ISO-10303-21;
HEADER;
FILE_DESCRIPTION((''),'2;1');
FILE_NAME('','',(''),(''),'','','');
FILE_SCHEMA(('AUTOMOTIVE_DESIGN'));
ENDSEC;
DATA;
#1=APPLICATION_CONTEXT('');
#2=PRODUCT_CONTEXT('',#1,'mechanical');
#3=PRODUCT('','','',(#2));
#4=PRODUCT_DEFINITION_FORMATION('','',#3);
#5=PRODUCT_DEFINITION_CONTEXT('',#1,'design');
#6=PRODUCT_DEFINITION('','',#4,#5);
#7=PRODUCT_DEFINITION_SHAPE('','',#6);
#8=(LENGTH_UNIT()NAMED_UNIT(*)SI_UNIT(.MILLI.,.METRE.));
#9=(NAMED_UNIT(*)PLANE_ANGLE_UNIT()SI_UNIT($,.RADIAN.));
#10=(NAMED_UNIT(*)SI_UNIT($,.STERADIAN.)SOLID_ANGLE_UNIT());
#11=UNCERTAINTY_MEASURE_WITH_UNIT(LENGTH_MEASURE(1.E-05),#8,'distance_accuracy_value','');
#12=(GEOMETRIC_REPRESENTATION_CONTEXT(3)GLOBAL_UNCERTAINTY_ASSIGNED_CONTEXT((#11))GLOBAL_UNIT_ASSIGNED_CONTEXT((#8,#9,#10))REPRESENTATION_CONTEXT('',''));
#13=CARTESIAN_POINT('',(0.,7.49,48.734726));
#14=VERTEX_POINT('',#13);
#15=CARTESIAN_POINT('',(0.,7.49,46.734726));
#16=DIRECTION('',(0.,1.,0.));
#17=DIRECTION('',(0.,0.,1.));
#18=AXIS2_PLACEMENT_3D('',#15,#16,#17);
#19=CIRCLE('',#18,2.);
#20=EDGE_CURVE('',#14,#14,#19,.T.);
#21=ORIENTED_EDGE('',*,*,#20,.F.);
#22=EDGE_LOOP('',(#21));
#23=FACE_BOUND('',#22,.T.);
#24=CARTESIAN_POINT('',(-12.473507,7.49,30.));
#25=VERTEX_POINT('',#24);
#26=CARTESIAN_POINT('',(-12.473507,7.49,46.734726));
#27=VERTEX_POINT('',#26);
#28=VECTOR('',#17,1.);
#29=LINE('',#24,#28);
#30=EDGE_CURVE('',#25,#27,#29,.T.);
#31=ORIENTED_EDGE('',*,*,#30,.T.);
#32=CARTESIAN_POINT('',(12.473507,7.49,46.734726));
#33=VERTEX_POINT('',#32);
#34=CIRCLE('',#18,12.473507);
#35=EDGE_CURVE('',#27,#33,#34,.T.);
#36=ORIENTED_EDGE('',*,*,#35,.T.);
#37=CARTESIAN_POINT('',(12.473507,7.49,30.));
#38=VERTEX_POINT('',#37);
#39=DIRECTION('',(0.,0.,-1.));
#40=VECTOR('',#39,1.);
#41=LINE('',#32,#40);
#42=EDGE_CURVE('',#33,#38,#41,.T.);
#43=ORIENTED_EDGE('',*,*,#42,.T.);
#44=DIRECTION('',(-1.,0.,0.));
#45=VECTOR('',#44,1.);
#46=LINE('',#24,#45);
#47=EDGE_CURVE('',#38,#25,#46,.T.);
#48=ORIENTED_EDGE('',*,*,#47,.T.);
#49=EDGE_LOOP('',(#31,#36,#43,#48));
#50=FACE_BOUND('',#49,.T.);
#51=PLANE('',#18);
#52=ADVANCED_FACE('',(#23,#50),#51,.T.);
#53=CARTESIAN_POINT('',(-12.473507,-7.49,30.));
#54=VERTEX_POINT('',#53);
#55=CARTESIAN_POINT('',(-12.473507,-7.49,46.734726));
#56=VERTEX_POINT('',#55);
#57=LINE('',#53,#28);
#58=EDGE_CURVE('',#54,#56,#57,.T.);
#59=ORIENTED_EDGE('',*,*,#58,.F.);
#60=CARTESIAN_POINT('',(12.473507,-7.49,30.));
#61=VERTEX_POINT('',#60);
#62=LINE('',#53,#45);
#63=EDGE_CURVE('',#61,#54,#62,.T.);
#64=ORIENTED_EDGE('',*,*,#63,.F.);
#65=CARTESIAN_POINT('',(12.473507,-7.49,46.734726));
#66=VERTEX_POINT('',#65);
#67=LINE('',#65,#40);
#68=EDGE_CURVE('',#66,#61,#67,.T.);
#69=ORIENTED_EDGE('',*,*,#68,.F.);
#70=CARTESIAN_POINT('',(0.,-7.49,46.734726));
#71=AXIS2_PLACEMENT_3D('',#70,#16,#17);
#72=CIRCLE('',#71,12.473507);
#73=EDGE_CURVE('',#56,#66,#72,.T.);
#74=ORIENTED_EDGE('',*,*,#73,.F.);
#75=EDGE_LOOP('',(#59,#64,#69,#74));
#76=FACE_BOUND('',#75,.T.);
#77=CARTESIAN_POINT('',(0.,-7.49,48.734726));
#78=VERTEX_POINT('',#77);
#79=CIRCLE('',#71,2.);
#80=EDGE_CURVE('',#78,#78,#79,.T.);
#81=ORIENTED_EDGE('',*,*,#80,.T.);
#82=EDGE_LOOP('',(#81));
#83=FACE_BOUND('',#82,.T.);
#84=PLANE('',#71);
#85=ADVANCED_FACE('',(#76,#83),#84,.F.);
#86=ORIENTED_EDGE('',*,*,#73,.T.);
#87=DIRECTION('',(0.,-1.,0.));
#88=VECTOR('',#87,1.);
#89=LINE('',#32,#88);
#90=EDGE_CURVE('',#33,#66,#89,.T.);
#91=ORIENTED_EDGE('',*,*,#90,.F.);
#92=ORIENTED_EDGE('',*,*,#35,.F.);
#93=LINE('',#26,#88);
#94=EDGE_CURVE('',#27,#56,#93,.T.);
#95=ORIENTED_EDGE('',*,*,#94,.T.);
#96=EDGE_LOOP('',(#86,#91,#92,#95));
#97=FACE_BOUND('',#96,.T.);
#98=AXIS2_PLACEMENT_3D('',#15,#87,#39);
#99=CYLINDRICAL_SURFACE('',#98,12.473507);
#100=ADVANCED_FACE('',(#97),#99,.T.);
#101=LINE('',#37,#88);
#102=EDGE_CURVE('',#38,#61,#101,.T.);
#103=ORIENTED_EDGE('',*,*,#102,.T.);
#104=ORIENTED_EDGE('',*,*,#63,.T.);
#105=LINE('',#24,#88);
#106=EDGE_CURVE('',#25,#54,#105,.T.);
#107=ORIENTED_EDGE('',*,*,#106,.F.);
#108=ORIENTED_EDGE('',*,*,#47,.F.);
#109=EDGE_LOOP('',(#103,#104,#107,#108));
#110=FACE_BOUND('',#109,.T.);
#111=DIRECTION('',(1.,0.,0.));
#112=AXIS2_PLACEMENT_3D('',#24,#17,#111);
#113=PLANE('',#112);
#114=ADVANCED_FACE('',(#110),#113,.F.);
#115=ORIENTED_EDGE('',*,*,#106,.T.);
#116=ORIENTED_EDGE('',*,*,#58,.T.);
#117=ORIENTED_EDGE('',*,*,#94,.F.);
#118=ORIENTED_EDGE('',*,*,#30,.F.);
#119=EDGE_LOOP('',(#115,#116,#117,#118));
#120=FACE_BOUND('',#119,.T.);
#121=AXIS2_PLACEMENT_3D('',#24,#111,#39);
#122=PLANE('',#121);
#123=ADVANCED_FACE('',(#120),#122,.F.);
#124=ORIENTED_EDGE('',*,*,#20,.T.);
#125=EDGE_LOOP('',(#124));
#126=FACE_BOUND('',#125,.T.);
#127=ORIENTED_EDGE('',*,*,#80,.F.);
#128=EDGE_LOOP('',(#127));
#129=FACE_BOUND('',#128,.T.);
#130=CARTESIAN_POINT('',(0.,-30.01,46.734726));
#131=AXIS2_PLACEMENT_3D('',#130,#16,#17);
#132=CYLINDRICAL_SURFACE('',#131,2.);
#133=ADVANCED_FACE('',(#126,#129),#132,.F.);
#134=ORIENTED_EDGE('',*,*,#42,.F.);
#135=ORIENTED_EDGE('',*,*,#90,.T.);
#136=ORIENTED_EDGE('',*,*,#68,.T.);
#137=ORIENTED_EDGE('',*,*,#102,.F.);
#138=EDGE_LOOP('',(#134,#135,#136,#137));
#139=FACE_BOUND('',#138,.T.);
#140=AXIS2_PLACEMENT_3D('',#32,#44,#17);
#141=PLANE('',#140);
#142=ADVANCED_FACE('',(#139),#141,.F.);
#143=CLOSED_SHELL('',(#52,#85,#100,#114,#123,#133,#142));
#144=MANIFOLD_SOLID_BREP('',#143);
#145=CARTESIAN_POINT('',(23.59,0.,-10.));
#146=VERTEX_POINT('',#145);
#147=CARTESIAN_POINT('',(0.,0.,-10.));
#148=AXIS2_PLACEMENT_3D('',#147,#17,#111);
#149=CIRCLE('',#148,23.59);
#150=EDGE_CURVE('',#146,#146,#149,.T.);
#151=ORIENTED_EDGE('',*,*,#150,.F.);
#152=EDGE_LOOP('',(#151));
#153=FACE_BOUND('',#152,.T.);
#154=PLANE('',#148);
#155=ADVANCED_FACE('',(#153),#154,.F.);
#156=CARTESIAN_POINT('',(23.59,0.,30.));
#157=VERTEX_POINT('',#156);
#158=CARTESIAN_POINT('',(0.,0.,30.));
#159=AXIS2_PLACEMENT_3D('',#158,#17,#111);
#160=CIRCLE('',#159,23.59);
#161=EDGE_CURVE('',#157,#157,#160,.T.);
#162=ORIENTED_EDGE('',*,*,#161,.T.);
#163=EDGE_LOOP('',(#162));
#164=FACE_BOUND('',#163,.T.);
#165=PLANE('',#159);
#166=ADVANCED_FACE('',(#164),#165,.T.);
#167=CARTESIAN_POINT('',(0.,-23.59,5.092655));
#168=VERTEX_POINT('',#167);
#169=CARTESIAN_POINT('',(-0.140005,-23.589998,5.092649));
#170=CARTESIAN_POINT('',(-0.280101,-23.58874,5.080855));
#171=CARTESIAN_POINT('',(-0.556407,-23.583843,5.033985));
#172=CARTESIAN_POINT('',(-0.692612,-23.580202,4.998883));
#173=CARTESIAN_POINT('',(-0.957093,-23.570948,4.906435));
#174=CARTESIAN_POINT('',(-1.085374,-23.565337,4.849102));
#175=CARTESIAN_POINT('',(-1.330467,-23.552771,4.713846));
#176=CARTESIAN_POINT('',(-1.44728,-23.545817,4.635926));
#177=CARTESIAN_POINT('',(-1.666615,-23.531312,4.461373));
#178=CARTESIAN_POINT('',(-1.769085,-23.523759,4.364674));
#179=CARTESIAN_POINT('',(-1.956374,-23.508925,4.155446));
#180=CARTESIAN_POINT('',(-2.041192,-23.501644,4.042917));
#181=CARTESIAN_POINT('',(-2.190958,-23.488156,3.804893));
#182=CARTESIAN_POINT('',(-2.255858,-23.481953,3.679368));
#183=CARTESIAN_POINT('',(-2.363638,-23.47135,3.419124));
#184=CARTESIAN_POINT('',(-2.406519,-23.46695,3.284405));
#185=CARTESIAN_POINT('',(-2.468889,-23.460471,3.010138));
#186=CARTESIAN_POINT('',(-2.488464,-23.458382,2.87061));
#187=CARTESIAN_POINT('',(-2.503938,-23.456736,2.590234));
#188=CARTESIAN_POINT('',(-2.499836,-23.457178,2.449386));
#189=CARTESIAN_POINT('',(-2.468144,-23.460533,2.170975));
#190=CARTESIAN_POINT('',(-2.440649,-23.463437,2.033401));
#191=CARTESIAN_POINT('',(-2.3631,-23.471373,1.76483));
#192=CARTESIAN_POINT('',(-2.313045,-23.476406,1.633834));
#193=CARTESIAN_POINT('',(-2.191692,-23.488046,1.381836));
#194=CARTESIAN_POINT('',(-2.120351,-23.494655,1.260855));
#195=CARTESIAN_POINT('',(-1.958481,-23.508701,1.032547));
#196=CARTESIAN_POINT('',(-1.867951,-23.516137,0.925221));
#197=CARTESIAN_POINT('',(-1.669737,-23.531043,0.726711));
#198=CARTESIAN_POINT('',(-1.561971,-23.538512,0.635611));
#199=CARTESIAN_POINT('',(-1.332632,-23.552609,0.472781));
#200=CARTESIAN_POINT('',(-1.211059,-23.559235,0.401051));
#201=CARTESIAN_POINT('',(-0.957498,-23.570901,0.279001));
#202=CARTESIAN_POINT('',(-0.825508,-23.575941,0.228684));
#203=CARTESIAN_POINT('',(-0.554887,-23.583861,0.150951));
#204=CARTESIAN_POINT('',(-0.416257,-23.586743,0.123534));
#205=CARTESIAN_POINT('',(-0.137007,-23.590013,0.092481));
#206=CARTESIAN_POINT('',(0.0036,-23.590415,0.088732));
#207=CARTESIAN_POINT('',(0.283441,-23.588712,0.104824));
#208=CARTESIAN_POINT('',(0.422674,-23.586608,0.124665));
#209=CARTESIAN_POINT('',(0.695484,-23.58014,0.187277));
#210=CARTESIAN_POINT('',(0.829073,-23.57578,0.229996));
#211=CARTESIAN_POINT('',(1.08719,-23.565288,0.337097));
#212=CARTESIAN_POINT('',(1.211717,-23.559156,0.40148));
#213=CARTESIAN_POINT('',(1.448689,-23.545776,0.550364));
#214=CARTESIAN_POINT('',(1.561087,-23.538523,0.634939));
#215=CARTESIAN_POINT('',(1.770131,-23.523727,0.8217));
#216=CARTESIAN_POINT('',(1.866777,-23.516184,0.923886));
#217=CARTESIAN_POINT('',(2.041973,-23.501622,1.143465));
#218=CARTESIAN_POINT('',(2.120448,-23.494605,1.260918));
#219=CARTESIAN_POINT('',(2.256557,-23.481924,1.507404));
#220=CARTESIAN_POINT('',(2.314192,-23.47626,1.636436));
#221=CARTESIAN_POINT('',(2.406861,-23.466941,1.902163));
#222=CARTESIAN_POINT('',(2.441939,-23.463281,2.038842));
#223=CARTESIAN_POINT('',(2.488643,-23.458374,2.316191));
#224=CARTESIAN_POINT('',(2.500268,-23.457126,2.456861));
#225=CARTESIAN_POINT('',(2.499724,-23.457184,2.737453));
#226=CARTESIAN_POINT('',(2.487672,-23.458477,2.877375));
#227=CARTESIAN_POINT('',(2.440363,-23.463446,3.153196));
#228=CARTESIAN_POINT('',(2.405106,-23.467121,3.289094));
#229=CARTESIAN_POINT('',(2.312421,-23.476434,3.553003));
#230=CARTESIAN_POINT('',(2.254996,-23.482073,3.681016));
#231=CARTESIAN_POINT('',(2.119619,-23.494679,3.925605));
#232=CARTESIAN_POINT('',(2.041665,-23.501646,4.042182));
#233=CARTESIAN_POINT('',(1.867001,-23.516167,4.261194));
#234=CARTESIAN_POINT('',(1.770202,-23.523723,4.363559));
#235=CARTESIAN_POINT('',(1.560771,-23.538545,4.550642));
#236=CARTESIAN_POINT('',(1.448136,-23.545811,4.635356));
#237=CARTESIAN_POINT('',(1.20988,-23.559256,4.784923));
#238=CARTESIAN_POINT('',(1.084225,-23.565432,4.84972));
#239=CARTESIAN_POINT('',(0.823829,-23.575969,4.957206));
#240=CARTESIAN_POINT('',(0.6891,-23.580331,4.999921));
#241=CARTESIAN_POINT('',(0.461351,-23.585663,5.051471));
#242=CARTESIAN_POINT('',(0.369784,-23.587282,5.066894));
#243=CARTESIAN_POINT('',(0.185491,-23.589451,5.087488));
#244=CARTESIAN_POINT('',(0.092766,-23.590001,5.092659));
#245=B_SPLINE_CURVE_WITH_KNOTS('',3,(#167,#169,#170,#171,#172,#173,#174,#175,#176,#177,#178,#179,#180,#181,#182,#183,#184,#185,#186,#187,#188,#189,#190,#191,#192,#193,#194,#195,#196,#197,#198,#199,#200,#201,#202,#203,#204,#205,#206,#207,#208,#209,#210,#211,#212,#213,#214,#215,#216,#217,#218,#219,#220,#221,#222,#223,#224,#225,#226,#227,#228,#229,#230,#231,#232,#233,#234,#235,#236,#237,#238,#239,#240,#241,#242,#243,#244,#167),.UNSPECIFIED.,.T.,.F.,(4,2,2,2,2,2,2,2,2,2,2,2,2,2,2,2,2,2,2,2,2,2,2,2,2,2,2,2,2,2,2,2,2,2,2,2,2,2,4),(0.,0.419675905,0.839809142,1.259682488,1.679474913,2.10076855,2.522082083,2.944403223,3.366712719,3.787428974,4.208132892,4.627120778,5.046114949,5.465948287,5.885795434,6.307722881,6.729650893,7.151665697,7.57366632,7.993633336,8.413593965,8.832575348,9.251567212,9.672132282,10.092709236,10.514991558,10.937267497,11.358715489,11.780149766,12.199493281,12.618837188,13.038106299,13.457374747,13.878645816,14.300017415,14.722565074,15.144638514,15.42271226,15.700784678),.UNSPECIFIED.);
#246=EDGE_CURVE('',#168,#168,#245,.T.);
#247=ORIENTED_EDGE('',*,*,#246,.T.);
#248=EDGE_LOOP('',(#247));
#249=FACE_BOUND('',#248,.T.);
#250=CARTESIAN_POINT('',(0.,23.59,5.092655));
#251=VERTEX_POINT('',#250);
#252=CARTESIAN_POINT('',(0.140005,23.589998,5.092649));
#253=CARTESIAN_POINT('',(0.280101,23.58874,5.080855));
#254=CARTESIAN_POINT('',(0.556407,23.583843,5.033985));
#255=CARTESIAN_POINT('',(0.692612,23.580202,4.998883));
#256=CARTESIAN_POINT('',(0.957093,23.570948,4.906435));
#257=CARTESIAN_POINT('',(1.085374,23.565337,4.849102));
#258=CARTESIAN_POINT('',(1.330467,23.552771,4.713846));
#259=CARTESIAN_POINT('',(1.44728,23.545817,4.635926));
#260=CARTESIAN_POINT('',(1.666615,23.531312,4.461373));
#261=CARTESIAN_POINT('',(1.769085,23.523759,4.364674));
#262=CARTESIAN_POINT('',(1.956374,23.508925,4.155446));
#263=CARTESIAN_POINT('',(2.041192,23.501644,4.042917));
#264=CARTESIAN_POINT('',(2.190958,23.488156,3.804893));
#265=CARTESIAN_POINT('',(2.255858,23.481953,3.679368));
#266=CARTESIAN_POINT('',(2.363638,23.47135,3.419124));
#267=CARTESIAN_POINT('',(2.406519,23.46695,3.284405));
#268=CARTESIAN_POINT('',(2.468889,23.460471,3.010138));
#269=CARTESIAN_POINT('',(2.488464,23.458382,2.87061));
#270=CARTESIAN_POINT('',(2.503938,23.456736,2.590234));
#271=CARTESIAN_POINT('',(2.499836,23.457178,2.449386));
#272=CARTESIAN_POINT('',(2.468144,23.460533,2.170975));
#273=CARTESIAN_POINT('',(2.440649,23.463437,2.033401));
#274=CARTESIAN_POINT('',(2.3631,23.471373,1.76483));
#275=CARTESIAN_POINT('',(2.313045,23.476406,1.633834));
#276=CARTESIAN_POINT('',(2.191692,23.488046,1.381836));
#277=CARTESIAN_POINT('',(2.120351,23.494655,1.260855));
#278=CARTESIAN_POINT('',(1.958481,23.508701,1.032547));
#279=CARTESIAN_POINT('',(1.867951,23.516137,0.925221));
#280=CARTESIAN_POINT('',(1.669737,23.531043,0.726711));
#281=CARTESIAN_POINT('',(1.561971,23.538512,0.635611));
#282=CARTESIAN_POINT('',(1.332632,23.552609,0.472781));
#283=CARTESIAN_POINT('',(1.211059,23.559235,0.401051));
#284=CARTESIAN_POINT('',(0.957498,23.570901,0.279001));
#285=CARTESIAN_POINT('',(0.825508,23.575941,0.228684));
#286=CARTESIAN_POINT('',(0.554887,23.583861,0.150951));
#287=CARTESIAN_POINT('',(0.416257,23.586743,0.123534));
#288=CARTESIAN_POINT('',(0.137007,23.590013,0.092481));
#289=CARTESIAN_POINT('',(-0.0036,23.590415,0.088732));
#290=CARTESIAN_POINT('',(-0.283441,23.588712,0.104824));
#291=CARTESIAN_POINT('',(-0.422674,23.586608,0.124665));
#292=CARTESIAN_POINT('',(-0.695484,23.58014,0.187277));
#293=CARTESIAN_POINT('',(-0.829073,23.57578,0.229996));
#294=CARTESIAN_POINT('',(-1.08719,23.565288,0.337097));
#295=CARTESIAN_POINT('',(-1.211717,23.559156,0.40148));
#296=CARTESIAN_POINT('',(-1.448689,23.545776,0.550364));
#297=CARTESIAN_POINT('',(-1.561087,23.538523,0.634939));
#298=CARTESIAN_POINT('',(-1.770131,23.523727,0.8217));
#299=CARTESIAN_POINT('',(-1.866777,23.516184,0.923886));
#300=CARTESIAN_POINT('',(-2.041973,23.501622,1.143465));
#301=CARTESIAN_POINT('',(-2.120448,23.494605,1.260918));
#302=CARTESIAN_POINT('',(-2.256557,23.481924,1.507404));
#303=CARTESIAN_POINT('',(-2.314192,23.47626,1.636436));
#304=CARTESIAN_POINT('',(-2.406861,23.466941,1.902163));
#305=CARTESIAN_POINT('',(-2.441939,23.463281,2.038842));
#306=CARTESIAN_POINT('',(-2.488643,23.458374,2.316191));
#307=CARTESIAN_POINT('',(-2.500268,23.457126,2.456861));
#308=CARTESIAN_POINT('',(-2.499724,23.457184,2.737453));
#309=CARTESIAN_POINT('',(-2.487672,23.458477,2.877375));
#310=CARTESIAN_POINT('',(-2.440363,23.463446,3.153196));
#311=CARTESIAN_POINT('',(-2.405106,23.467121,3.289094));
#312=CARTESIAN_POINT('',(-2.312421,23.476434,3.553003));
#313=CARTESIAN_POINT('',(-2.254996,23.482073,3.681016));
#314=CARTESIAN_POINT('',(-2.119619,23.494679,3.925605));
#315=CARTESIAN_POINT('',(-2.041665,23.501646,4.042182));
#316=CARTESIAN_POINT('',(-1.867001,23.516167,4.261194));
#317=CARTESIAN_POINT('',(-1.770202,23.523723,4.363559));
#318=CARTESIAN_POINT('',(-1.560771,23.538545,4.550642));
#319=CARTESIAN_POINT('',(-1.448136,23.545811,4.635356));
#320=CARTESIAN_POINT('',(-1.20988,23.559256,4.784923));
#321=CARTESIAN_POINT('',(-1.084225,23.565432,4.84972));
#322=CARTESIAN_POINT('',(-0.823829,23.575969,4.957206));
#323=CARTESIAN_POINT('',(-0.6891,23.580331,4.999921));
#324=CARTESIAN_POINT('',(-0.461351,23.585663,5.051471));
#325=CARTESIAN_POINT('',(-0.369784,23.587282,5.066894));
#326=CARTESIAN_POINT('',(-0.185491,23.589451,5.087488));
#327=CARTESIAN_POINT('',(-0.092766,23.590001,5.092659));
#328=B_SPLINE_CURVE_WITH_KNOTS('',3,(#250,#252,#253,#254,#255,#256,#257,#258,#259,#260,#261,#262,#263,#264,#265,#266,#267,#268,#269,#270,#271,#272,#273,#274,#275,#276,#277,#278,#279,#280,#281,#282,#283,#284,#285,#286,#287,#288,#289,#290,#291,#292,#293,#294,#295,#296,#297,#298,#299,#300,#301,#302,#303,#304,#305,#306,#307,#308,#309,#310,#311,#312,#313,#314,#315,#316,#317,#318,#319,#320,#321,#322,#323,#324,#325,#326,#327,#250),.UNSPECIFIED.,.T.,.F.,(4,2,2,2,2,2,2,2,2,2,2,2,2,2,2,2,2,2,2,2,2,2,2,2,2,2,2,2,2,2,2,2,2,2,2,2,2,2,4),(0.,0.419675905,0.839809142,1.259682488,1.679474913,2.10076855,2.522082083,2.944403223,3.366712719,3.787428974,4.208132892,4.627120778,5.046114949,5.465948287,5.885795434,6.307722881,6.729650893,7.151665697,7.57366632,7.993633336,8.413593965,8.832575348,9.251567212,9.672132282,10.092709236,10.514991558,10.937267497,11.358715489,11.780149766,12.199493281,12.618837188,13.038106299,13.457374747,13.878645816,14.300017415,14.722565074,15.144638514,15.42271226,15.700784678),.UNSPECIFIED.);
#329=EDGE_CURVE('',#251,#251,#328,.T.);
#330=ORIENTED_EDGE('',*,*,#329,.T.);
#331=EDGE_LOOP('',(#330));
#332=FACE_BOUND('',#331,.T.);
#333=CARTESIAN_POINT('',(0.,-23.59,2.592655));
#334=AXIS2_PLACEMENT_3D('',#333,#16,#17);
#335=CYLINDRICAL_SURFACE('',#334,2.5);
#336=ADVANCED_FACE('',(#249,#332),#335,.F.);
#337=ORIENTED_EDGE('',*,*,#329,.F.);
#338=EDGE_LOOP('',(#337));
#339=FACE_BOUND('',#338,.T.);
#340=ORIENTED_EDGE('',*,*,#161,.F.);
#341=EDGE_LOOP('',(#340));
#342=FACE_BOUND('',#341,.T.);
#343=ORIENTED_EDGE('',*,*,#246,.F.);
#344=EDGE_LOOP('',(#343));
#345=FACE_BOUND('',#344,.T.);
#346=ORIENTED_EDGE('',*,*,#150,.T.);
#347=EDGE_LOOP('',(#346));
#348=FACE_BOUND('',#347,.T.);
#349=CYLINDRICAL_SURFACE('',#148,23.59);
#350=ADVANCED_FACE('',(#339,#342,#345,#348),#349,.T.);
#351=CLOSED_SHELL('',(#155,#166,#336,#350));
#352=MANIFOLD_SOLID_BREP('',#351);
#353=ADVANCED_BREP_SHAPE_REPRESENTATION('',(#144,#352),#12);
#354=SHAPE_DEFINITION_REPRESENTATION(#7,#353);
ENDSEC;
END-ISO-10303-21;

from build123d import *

# Parameters (mm, degrees)
RESSALTO_EXTRUS_O1_DEPTH      = 30
RESSALTO_EXTRUS_O1_DEPTH_BACK = 10
ESBO_O1_R                     = 23.59
RESSALTO_EXTRUS_O2_DEPTH      = 7.49
ESBO_O3_R                     = 2
CORTE_EXTRUS_O1_DEPTH         = 37.5
CUT_EXTRUDE1_DEPTH            = 68.960216691
CUT_EXTRUDE1_DEPTH_BACK       = 68.960216691
SKETCH1_R                     = 2.5


with BuildPart() as part:
    # Esboço1 → Ressalto-extrusão1 (new, two sides: drawn at the far end of the back side and taken through both)
    with BuildSketch(Plane.XY.offset(-RESSALTO_EXTRUS_O1_DEPTH_BACK)):
        Circle(ESBO_O1_R)
    extrude(amount=RESSALTO_EXTRUS_O1_DEPTH + RESSALTO_EXTRUS_O1_DEPTH_BACK)

    # Sketch1 → Cut-Extrude1 (cut, two sides: drawn at the far end of the back side and taken through both)
    with BuildSketch(Plane(origin=(0, 0, 0), x_dir=(1, 0, 0), z_dir=(0, 1, 0)).offset(-CUT_EXTRUDE1_DEPTH_BACK)):
        with Locations(Location((0, -2.59265528, 0), (0, 0, 270))):
            Circle(SKETCH1_R)
    extrude(amount=CUT_EXTRUDE1_DEPTH + CUT_EXTRUDE1_DEPTH_BACK, mode=Mode.SUBTRACT)


with BuildPart() as body_2:
    # Esboço2 → Ressalto-extrusão2 (new, symmetric)
    with BuildSketch(Plane(origin=(0, 0, 0), x_dir=(1, 0, 0), z_dir=(0, 1, 0))):
        with BuildLine():
            Line((-12.473507345, -30), (12.473507345, -30))
            Line((12.473507345, -30), (12.473507345, -46.734725635))
            ThreePointArc((12.473507345, -46.734725635), (0, -59.20823298), (-12.473507345, -46.734725635))
            Line((-12.473507345, -46.734725635), (-12.473507345, -30))
        make_face()
    extrude(amount=RESSALTO_EXTRUS_O2_DEPTH, both=True)

    # Esboço3 → Corte-extrusão1 (cut, symmetric)
    with BuildSketch(Plane(origin=(0, 7.49, 0), x_dir=(1, 0, 0), z_dir=(0, 1, 0))):
        with Locations(Location((0, -46.734725635, 0), (0, 0, 270))):
            Circle(ESBO_O3_R)
    extrude(amount=CORTE_EXTRUS_O1_DEPTH, both=True, mode=Mode.SUBTRACT)


solid = Compound([part.part, body_2.part])
